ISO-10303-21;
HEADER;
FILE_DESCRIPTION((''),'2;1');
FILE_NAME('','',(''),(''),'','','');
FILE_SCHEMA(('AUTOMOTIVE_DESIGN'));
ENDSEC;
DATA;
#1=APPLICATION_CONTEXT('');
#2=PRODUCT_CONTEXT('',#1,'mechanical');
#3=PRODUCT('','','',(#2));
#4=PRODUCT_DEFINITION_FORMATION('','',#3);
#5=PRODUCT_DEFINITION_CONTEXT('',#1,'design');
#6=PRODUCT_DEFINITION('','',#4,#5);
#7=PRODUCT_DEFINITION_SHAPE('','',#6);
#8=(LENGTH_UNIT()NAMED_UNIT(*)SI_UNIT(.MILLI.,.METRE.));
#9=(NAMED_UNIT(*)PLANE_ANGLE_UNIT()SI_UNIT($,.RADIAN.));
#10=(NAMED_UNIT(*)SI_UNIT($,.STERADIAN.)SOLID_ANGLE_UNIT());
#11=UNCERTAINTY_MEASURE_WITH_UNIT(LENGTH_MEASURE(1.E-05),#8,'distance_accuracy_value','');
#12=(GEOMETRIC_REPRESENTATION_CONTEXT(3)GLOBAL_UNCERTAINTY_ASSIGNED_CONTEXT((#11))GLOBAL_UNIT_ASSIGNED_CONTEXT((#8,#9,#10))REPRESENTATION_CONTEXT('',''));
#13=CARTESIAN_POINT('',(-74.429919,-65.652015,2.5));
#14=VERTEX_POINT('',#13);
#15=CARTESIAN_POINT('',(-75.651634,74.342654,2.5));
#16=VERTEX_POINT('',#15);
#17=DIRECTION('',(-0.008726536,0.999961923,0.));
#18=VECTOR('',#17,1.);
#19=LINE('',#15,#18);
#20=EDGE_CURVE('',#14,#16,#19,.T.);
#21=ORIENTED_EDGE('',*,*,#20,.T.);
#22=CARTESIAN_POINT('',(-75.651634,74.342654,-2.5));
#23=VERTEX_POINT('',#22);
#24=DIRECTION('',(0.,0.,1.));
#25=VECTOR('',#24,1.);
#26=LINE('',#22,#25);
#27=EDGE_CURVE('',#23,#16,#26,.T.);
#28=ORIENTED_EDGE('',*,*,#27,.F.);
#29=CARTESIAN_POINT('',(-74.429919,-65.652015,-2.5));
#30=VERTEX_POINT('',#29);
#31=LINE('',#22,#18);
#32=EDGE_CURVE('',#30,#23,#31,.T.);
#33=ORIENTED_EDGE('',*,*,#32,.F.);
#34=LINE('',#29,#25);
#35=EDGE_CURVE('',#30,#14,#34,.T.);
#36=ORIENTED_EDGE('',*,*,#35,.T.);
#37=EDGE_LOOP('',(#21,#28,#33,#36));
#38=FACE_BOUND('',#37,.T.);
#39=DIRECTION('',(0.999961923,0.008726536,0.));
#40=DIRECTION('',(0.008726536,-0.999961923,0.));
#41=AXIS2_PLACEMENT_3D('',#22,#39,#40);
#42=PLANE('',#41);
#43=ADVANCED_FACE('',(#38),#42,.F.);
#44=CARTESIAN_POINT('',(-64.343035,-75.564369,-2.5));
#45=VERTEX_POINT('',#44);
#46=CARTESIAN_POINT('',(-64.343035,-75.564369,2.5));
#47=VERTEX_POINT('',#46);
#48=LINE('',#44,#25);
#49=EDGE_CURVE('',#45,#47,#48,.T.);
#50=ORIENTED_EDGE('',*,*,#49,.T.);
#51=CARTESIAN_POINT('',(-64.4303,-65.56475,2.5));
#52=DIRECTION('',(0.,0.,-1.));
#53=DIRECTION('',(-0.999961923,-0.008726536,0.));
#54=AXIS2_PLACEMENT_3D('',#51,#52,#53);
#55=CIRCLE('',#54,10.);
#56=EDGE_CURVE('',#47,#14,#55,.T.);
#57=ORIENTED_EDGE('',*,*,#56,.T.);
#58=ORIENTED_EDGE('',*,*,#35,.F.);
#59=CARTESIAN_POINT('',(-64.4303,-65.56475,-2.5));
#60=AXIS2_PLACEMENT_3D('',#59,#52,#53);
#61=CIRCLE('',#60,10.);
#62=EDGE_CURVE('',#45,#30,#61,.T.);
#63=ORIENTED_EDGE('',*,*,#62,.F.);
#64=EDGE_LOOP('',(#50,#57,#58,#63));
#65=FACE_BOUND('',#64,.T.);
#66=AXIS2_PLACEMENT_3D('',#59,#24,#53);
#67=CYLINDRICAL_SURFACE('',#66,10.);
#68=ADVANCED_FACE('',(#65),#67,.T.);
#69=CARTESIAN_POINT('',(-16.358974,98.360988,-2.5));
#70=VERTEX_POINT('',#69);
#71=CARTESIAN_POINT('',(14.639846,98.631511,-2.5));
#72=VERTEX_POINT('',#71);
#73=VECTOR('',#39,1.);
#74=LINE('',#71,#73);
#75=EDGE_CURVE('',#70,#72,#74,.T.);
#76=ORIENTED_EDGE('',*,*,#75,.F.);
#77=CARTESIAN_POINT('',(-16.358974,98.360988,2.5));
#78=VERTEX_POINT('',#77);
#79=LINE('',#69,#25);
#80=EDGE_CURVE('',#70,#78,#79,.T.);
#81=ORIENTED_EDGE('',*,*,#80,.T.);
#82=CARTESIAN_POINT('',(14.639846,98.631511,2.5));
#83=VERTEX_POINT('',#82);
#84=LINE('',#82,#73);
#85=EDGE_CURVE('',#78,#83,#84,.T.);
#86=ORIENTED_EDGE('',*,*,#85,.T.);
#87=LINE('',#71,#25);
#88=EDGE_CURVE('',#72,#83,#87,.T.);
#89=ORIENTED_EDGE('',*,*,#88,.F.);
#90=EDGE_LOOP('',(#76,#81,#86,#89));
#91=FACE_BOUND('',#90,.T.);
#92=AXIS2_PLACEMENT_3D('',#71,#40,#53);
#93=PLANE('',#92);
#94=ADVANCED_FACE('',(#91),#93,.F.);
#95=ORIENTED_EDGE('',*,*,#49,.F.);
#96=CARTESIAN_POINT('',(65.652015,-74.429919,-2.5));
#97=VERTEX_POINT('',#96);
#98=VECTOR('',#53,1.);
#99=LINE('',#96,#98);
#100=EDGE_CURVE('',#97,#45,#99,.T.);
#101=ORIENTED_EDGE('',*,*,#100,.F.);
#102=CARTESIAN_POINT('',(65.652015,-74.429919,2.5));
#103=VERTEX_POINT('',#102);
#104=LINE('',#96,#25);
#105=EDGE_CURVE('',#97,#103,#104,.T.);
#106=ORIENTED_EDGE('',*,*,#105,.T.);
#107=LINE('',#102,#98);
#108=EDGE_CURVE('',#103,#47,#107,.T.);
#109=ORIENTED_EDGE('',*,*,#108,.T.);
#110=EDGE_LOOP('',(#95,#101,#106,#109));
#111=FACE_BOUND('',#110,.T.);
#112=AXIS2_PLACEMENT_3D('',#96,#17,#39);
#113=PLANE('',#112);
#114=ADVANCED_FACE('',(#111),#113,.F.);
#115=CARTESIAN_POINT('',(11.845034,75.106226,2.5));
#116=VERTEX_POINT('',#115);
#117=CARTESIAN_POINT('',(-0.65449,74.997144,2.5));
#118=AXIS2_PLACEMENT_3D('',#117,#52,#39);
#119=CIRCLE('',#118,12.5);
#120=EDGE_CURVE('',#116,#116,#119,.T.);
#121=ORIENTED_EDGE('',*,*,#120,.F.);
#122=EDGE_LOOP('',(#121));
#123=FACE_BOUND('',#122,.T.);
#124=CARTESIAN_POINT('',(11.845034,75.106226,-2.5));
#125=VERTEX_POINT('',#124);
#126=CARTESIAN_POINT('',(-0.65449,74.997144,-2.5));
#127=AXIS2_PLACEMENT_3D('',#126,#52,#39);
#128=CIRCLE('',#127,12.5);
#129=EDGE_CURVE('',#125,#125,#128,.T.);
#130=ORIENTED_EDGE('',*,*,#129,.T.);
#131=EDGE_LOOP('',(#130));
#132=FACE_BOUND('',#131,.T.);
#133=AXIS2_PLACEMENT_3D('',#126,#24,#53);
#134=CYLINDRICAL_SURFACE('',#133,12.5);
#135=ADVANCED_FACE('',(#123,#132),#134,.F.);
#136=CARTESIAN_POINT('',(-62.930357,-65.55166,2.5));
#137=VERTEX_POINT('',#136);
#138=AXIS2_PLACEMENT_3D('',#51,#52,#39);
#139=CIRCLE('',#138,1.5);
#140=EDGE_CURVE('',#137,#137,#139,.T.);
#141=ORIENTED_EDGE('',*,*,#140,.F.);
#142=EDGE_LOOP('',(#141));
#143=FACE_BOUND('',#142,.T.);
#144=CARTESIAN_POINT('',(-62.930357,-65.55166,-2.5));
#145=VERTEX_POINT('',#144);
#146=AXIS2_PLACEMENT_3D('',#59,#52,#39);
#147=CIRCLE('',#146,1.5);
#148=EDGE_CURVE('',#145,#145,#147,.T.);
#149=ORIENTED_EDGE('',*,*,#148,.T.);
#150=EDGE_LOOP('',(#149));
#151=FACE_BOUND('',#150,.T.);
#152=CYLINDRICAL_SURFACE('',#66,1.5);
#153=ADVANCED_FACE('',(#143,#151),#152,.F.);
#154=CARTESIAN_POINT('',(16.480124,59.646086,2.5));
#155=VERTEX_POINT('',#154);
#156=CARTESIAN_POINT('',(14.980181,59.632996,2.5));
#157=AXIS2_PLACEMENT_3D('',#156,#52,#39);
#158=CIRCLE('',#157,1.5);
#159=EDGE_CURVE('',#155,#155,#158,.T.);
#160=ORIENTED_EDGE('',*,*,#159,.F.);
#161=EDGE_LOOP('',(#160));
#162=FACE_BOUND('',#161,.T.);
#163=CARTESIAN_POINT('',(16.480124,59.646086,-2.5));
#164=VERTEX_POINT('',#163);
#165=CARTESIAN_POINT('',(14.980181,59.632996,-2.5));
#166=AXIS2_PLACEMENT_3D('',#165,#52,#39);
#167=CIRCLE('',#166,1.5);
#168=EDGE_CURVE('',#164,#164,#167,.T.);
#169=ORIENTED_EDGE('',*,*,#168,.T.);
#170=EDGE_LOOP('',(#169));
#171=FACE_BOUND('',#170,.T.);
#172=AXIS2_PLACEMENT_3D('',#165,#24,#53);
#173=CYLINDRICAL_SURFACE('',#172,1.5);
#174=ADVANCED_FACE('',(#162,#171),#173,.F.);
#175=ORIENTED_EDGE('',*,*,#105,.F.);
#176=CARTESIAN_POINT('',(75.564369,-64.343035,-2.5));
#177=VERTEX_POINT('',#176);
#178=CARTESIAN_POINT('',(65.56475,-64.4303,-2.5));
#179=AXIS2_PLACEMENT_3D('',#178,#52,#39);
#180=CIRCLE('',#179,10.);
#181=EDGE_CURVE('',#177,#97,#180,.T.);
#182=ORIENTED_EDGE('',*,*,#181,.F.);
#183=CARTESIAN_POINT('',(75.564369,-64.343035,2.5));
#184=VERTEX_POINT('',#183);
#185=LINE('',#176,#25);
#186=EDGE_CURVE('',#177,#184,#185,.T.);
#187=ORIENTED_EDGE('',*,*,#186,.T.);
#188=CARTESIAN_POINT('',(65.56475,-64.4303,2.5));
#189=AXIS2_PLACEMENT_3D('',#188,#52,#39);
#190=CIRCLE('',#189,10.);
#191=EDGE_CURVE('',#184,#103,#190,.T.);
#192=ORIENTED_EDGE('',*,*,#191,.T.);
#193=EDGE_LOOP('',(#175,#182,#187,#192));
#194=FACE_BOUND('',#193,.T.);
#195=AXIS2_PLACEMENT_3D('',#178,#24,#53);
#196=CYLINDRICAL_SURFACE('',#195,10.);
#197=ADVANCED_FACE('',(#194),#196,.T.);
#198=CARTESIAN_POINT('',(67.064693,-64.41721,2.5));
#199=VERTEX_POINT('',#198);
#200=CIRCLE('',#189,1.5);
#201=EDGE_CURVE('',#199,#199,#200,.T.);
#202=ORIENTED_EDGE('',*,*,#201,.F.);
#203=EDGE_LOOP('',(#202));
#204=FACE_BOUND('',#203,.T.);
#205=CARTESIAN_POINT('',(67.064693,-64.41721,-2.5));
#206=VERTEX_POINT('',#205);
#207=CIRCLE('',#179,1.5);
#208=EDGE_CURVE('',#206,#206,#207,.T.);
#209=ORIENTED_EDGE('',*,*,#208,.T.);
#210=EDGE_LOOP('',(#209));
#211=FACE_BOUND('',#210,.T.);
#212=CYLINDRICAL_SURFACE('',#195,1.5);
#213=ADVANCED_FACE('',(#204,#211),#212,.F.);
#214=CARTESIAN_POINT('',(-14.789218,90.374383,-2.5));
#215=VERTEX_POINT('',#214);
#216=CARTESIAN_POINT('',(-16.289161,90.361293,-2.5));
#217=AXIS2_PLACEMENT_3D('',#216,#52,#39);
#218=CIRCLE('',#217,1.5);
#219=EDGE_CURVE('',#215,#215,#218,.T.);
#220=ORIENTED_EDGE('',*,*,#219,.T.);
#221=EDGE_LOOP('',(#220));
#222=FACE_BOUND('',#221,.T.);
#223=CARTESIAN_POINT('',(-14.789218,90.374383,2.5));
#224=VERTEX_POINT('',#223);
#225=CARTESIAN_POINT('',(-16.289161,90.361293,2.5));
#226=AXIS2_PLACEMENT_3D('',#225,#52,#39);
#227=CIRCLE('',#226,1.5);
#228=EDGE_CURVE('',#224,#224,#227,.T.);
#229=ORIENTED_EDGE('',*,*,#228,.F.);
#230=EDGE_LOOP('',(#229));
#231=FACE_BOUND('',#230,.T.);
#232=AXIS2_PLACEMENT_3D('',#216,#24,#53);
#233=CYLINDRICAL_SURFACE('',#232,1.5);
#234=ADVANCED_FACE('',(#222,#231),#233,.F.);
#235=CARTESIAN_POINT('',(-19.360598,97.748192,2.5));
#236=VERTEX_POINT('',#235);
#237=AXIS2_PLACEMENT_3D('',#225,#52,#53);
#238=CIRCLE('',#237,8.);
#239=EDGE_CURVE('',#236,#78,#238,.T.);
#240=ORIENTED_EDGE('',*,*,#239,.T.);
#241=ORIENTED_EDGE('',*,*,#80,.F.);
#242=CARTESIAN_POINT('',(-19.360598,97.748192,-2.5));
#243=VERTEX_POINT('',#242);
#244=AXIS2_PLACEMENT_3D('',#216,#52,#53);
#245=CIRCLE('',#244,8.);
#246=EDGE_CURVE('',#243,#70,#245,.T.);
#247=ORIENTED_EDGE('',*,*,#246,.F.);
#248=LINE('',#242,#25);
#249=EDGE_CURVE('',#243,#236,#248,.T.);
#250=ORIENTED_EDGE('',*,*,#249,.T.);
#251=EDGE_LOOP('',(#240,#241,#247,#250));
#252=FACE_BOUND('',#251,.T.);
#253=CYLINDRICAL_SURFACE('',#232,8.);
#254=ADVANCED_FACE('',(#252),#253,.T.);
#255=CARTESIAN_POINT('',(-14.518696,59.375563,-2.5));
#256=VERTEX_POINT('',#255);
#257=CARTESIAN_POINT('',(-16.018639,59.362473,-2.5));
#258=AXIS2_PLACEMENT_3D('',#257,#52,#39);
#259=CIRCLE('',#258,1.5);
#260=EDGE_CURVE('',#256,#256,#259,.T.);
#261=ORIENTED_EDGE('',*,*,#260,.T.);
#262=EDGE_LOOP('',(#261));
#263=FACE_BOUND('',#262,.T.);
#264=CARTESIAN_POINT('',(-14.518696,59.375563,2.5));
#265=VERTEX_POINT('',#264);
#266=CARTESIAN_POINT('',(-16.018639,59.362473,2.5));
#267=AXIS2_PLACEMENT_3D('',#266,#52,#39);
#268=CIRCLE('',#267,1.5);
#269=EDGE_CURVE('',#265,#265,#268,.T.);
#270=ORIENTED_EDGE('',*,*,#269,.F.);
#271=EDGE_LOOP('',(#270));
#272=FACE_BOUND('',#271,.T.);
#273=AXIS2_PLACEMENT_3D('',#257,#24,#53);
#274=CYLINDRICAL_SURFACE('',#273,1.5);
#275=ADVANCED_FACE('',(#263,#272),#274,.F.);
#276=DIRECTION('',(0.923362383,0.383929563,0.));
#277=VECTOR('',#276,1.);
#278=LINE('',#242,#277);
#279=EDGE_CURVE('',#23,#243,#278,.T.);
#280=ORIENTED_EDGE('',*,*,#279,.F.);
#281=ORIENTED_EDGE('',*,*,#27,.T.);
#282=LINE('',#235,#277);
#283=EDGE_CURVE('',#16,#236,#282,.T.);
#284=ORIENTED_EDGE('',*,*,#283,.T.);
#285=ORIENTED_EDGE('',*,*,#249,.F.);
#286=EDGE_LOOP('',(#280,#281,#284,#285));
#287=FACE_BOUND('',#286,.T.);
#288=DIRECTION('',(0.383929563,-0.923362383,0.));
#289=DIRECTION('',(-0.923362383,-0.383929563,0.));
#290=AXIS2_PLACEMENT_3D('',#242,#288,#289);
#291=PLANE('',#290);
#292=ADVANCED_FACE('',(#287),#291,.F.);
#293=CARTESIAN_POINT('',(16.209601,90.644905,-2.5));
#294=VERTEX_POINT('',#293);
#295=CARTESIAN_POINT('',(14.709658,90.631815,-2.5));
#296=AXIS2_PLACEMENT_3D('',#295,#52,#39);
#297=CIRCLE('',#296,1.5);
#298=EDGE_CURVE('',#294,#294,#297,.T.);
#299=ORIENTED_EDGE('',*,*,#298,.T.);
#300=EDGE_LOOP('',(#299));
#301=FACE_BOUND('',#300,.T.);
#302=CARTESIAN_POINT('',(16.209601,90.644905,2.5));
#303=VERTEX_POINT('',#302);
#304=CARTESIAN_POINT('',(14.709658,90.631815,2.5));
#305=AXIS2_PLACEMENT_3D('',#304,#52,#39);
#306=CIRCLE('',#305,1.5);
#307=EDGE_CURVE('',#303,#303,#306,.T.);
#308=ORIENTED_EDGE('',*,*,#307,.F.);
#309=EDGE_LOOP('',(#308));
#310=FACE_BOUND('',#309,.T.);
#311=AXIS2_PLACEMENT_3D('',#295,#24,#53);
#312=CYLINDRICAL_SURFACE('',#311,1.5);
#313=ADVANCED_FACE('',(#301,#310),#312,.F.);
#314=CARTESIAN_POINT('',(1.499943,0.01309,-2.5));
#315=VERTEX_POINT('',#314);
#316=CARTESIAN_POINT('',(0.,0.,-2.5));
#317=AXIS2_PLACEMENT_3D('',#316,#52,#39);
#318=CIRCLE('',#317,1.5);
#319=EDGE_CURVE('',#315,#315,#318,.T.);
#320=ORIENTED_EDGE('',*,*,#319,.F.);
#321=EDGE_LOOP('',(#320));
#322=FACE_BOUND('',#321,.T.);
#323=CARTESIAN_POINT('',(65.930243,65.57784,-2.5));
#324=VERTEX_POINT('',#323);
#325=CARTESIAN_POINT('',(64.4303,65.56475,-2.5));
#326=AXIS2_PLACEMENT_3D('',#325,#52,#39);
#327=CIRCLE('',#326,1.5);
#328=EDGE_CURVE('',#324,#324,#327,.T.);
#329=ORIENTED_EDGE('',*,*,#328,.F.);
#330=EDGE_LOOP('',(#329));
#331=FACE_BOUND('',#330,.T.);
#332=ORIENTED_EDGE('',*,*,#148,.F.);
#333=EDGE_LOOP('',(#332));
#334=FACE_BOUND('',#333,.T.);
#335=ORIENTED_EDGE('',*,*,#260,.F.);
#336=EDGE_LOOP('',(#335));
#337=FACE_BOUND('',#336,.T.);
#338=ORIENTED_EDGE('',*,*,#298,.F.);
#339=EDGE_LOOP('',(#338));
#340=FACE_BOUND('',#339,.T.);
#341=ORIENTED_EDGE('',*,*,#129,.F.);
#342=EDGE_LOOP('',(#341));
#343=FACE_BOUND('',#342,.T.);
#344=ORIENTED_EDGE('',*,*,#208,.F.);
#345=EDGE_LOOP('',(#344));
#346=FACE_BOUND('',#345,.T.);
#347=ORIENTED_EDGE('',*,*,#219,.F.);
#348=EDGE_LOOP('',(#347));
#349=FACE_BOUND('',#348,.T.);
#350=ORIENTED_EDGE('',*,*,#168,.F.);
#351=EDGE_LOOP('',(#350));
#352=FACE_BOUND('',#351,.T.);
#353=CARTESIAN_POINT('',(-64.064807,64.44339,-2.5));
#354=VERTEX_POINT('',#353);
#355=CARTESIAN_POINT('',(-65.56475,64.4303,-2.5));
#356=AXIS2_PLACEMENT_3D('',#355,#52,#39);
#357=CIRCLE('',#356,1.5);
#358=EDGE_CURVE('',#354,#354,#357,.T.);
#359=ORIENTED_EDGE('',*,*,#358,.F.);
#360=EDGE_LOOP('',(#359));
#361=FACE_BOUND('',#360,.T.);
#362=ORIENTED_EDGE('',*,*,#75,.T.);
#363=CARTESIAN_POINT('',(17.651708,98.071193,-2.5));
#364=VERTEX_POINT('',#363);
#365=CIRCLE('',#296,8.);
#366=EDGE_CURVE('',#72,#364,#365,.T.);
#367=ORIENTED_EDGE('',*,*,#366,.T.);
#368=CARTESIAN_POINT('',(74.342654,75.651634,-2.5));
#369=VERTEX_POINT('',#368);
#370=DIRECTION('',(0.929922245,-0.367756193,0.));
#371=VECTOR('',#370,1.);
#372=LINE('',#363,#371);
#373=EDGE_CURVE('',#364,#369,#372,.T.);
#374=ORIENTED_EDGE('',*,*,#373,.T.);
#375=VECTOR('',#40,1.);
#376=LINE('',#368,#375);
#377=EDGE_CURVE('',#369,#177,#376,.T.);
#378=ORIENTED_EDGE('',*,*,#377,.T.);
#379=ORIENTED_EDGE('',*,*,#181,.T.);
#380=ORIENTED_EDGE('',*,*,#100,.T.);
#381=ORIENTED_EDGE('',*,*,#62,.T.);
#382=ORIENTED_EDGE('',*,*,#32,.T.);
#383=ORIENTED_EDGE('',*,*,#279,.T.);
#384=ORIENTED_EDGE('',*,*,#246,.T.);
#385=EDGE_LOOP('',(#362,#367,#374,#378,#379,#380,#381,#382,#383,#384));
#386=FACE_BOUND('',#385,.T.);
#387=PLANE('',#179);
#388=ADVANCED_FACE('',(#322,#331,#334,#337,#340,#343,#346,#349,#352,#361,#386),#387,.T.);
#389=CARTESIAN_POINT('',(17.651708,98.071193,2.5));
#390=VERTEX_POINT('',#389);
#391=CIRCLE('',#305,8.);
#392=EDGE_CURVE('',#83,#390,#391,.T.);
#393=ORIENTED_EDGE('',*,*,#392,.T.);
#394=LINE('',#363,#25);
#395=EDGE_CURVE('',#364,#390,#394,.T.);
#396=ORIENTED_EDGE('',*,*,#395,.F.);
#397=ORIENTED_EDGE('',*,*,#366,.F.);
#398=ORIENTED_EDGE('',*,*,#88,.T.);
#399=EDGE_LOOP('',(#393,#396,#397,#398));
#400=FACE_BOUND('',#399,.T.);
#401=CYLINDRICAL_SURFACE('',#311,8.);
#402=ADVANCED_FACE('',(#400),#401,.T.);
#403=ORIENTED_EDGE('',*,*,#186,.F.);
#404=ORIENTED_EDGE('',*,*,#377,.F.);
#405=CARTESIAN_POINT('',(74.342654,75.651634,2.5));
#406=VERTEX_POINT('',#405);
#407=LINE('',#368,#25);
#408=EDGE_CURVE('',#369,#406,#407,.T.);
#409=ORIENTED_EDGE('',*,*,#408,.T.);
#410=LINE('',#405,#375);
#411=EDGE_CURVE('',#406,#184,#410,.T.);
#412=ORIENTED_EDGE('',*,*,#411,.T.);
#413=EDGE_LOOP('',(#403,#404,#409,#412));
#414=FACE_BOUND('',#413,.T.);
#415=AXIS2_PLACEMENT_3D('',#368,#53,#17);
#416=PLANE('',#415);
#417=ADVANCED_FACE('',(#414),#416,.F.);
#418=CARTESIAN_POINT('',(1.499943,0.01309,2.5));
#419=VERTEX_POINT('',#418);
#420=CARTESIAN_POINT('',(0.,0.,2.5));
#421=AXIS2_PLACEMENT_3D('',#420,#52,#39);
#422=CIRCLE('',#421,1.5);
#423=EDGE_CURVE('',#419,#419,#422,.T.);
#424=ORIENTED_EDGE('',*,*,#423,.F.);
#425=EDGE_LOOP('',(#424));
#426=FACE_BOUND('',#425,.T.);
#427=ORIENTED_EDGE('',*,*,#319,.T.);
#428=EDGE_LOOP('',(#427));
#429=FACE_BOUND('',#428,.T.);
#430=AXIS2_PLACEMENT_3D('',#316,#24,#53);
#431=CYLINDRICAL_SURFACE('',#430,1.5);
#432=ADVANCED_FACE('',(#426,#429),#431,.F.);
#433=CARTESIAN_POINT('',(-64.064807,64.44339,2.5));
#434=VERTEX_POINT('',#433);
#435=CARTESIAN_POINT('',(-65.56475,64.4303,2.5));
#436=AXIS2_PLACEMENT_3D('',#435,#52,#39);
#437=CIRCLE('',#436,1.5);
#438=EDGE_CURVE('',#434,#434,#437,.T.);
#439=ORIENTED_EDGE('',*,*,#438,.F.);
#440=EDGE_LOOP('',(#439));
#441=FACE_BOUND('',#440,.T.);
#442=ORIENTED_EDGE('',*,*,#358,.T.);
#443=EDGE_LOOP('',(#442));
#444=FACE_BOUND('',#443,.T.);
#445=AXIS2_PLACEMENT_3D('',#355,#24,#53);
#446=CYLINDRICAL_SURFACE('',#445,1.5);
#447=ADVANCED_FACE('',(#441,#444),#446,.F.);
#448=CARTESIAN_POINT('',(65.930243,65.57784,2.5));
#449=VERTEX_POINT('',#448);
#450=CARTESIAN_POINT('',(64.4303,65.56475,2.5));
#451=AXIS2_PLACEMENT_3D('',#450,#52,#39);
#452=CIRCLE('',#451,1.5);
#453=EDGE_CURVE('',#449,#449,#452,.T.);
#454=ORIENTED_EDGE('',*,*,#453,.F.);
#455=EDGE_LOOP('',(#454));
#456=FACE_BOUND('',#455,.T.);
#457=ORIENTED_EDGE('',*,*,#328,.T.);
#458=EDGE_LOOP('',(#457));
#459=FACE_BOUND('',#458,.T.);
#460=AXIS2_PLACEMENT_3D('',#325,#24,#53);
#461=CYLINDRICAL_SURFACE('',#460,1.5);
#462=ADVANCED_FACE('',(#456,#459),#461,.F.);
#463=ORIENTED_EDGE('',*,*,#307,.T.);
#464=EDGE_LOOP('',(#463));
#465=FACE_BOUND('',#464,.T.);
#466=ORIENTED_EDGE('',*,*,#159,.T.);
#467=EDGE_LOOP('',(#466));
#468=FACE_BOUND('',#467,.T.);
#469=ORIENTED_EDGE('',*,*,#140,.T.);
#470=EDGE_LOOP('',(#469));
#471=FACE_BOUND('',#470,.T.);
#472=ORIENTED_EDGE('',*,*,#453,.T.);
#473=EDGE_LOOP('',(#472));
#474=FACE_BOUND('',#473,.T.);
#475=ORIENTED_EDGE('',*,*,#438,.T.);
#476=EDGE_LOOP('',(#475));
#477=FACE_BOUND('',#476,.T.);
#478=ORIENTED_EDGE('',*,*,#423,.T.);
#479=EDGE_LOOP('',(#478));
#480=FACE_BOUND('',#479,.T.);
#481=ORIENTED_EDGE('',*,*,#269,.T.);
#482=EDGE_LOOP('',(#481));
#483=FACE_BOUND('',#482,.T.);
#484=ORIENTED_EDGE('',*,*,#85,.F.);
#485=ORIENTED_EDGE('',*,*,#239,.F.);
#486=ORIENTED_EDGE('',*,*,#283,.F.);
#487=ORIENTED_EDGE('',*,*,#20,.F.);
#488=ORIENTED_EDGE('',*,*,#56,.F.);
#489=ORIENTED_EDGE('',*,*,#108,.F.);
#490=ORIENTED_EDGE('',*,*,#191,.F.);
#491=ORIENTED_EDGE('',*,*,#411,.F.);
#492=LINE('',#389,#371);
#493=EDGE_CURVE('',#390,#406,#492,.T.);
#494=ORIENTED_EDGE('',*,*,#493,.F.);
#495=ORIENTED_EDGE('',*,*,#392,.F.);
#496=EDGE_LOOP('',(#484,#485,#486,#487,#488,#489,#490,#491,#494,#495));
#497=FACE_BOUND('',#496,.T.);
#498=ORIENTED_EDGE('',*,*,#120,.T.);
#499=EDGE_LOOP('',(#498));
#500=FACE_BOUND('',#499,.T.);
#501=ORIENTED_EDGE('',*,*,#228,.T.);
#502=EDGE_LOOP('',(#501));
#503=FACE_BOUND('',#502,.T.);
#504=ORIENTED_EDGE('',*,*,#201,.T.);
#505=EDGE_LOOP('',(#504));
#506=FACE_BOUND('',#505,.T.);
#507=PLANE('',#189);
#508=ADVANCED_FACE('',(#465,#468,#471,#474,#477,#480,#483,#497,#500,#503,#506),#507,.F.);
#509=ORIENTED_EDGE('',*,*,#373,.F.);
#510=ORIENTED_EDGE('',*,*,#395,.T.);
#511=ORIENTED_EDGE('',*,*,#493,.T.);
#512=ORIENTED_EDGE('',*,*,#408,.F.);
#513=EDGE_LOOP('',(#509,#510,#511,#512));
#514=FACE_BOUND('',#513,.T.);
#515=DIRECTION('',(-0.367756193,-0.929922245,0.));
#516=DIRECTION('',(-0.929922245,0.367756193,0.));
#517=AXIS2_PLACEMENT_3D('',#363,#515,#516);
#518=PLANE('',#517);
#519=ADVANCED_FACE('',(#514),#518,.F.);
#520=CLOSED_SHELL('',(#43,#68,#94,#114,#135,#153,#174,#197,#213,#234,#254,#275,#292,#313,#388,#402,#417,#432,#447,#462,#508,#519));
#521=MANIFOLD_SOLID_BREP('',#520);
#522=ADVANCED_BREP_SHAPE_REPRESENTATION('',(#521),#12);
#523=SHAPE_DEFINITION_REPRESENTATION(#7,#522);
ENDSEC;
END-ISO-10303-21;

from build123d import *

# Parameters (mm, degrees)
SKETCH1_R             = 1.5
SKETCH1_R_2           = 12.5
BOSS_EXTRUDE1_DEPTH   = 5
BODY_MOVE_COPY1_ANGLE = 119.711745949


with BuildPart() as part:
    # Sketch1 → Boss-Extrude1 (new body)
    with BuildSketch(Plane(origin=(0, 0, 0), x_dir=(1, 0, 0), z_dir=(0, 1, 0))):
        with BuildLine():
            Line((-75, -75), (65, -75))
            ThreePointArc((65, -75), (72.071067812, -72.071067812), (75, -65))
            Line((75, -65), (75, 65))
            ThreePointArc((75, 65), (72.071067812, 72.071067812), (65, 75))
            Line((65, 75), (-75, 75))
            Line((-75, 75), (-97.913420794, 18.506857518))
            ThreePointArc((-97.913420794, 18.506857518), (-98.351985938, 17.031769181), (-98.5, 15.5))
            Line((-98.5, 15.5), (-98.5, -15.5))
            ThreePointArc((-98.5, -15.5), (-98.351985938, -17.031769181), (-97.913420794, -18.506857518))
            Line((-97.913420794, -18.506857518), (-75, -75))
        make_face()
        with Locations(Location((-90.5, 15.5, 0), (0, 0, 270))):
            Circle(SKETCH1_R, mode=Mode.SUBTRACT)
        with Locations(Location((-90.5, -15.5, 0), (0, 0, 270))):
            Circle(SKETCH1_R, mode=Mode.SUBTRACT)
        with Locations(Location((-59.5, -15.5, 0), (0, 0, 270))):
            Circle(SKETCH1_R, mode=Mode.SUBTRACT)
        with Locations(Location((-59.5, 15.5, 0), (0, 0, 270))):
            Circle(SKETCH1_R, mode=Mode.SUBTRACT)
        with Locations(Location((-75, 0, 0), (0, 0, 270))):
            Circle(SKETCH1_R_2, mode=Mode.SUBTRACT)
        with Locations(Location((-65, 65, 0), (0, 0, 270))):
            Circle(SKETCH1_R, mode=Mode.SUBTRACT)
        with Locations(Location((65, 65, 0), (0, 0, 270))):
            Circle(SKETCH1_R, mode=Mode.SUBTRACT)
        with Locations(Location((65, -65, 0), (0, 0, 270))):
            Circle(SKETCH1_R, mode=Mode.SUBTRACT)
        with Locations(Location((-65, -65, 0), (0, 0, 270))):
            Circle(SKETCH1_R, mode=Mode.SUBTRACT)
        with Locations(Location((0, 0, 0), (0, 0, 270))):
            Circle(SKETCH1_R, mode=Mode.SUBTRACT)
    extrude(amount=BOSS_EXTRUDE1_DEPTH)


with BuildPart() as part_1:
    # Body-Move/Copy1: moved
    add(part.part.moved(Location((0, 0, 0))).rotate(Axis((-6.951895858, -2.256414426, 4.756414426), (-0.5807091426084982, 0.5756634831611324, -0.5756634831615567)), BODY_MOVE_COPY1_ANGLE))


with BuildPart() as part_2:
    # Body-Move/Copy2: moved
    add(part_1.part.moved(Location((11.64746321, 9.2495526, 0))))


solid = part_2.part
